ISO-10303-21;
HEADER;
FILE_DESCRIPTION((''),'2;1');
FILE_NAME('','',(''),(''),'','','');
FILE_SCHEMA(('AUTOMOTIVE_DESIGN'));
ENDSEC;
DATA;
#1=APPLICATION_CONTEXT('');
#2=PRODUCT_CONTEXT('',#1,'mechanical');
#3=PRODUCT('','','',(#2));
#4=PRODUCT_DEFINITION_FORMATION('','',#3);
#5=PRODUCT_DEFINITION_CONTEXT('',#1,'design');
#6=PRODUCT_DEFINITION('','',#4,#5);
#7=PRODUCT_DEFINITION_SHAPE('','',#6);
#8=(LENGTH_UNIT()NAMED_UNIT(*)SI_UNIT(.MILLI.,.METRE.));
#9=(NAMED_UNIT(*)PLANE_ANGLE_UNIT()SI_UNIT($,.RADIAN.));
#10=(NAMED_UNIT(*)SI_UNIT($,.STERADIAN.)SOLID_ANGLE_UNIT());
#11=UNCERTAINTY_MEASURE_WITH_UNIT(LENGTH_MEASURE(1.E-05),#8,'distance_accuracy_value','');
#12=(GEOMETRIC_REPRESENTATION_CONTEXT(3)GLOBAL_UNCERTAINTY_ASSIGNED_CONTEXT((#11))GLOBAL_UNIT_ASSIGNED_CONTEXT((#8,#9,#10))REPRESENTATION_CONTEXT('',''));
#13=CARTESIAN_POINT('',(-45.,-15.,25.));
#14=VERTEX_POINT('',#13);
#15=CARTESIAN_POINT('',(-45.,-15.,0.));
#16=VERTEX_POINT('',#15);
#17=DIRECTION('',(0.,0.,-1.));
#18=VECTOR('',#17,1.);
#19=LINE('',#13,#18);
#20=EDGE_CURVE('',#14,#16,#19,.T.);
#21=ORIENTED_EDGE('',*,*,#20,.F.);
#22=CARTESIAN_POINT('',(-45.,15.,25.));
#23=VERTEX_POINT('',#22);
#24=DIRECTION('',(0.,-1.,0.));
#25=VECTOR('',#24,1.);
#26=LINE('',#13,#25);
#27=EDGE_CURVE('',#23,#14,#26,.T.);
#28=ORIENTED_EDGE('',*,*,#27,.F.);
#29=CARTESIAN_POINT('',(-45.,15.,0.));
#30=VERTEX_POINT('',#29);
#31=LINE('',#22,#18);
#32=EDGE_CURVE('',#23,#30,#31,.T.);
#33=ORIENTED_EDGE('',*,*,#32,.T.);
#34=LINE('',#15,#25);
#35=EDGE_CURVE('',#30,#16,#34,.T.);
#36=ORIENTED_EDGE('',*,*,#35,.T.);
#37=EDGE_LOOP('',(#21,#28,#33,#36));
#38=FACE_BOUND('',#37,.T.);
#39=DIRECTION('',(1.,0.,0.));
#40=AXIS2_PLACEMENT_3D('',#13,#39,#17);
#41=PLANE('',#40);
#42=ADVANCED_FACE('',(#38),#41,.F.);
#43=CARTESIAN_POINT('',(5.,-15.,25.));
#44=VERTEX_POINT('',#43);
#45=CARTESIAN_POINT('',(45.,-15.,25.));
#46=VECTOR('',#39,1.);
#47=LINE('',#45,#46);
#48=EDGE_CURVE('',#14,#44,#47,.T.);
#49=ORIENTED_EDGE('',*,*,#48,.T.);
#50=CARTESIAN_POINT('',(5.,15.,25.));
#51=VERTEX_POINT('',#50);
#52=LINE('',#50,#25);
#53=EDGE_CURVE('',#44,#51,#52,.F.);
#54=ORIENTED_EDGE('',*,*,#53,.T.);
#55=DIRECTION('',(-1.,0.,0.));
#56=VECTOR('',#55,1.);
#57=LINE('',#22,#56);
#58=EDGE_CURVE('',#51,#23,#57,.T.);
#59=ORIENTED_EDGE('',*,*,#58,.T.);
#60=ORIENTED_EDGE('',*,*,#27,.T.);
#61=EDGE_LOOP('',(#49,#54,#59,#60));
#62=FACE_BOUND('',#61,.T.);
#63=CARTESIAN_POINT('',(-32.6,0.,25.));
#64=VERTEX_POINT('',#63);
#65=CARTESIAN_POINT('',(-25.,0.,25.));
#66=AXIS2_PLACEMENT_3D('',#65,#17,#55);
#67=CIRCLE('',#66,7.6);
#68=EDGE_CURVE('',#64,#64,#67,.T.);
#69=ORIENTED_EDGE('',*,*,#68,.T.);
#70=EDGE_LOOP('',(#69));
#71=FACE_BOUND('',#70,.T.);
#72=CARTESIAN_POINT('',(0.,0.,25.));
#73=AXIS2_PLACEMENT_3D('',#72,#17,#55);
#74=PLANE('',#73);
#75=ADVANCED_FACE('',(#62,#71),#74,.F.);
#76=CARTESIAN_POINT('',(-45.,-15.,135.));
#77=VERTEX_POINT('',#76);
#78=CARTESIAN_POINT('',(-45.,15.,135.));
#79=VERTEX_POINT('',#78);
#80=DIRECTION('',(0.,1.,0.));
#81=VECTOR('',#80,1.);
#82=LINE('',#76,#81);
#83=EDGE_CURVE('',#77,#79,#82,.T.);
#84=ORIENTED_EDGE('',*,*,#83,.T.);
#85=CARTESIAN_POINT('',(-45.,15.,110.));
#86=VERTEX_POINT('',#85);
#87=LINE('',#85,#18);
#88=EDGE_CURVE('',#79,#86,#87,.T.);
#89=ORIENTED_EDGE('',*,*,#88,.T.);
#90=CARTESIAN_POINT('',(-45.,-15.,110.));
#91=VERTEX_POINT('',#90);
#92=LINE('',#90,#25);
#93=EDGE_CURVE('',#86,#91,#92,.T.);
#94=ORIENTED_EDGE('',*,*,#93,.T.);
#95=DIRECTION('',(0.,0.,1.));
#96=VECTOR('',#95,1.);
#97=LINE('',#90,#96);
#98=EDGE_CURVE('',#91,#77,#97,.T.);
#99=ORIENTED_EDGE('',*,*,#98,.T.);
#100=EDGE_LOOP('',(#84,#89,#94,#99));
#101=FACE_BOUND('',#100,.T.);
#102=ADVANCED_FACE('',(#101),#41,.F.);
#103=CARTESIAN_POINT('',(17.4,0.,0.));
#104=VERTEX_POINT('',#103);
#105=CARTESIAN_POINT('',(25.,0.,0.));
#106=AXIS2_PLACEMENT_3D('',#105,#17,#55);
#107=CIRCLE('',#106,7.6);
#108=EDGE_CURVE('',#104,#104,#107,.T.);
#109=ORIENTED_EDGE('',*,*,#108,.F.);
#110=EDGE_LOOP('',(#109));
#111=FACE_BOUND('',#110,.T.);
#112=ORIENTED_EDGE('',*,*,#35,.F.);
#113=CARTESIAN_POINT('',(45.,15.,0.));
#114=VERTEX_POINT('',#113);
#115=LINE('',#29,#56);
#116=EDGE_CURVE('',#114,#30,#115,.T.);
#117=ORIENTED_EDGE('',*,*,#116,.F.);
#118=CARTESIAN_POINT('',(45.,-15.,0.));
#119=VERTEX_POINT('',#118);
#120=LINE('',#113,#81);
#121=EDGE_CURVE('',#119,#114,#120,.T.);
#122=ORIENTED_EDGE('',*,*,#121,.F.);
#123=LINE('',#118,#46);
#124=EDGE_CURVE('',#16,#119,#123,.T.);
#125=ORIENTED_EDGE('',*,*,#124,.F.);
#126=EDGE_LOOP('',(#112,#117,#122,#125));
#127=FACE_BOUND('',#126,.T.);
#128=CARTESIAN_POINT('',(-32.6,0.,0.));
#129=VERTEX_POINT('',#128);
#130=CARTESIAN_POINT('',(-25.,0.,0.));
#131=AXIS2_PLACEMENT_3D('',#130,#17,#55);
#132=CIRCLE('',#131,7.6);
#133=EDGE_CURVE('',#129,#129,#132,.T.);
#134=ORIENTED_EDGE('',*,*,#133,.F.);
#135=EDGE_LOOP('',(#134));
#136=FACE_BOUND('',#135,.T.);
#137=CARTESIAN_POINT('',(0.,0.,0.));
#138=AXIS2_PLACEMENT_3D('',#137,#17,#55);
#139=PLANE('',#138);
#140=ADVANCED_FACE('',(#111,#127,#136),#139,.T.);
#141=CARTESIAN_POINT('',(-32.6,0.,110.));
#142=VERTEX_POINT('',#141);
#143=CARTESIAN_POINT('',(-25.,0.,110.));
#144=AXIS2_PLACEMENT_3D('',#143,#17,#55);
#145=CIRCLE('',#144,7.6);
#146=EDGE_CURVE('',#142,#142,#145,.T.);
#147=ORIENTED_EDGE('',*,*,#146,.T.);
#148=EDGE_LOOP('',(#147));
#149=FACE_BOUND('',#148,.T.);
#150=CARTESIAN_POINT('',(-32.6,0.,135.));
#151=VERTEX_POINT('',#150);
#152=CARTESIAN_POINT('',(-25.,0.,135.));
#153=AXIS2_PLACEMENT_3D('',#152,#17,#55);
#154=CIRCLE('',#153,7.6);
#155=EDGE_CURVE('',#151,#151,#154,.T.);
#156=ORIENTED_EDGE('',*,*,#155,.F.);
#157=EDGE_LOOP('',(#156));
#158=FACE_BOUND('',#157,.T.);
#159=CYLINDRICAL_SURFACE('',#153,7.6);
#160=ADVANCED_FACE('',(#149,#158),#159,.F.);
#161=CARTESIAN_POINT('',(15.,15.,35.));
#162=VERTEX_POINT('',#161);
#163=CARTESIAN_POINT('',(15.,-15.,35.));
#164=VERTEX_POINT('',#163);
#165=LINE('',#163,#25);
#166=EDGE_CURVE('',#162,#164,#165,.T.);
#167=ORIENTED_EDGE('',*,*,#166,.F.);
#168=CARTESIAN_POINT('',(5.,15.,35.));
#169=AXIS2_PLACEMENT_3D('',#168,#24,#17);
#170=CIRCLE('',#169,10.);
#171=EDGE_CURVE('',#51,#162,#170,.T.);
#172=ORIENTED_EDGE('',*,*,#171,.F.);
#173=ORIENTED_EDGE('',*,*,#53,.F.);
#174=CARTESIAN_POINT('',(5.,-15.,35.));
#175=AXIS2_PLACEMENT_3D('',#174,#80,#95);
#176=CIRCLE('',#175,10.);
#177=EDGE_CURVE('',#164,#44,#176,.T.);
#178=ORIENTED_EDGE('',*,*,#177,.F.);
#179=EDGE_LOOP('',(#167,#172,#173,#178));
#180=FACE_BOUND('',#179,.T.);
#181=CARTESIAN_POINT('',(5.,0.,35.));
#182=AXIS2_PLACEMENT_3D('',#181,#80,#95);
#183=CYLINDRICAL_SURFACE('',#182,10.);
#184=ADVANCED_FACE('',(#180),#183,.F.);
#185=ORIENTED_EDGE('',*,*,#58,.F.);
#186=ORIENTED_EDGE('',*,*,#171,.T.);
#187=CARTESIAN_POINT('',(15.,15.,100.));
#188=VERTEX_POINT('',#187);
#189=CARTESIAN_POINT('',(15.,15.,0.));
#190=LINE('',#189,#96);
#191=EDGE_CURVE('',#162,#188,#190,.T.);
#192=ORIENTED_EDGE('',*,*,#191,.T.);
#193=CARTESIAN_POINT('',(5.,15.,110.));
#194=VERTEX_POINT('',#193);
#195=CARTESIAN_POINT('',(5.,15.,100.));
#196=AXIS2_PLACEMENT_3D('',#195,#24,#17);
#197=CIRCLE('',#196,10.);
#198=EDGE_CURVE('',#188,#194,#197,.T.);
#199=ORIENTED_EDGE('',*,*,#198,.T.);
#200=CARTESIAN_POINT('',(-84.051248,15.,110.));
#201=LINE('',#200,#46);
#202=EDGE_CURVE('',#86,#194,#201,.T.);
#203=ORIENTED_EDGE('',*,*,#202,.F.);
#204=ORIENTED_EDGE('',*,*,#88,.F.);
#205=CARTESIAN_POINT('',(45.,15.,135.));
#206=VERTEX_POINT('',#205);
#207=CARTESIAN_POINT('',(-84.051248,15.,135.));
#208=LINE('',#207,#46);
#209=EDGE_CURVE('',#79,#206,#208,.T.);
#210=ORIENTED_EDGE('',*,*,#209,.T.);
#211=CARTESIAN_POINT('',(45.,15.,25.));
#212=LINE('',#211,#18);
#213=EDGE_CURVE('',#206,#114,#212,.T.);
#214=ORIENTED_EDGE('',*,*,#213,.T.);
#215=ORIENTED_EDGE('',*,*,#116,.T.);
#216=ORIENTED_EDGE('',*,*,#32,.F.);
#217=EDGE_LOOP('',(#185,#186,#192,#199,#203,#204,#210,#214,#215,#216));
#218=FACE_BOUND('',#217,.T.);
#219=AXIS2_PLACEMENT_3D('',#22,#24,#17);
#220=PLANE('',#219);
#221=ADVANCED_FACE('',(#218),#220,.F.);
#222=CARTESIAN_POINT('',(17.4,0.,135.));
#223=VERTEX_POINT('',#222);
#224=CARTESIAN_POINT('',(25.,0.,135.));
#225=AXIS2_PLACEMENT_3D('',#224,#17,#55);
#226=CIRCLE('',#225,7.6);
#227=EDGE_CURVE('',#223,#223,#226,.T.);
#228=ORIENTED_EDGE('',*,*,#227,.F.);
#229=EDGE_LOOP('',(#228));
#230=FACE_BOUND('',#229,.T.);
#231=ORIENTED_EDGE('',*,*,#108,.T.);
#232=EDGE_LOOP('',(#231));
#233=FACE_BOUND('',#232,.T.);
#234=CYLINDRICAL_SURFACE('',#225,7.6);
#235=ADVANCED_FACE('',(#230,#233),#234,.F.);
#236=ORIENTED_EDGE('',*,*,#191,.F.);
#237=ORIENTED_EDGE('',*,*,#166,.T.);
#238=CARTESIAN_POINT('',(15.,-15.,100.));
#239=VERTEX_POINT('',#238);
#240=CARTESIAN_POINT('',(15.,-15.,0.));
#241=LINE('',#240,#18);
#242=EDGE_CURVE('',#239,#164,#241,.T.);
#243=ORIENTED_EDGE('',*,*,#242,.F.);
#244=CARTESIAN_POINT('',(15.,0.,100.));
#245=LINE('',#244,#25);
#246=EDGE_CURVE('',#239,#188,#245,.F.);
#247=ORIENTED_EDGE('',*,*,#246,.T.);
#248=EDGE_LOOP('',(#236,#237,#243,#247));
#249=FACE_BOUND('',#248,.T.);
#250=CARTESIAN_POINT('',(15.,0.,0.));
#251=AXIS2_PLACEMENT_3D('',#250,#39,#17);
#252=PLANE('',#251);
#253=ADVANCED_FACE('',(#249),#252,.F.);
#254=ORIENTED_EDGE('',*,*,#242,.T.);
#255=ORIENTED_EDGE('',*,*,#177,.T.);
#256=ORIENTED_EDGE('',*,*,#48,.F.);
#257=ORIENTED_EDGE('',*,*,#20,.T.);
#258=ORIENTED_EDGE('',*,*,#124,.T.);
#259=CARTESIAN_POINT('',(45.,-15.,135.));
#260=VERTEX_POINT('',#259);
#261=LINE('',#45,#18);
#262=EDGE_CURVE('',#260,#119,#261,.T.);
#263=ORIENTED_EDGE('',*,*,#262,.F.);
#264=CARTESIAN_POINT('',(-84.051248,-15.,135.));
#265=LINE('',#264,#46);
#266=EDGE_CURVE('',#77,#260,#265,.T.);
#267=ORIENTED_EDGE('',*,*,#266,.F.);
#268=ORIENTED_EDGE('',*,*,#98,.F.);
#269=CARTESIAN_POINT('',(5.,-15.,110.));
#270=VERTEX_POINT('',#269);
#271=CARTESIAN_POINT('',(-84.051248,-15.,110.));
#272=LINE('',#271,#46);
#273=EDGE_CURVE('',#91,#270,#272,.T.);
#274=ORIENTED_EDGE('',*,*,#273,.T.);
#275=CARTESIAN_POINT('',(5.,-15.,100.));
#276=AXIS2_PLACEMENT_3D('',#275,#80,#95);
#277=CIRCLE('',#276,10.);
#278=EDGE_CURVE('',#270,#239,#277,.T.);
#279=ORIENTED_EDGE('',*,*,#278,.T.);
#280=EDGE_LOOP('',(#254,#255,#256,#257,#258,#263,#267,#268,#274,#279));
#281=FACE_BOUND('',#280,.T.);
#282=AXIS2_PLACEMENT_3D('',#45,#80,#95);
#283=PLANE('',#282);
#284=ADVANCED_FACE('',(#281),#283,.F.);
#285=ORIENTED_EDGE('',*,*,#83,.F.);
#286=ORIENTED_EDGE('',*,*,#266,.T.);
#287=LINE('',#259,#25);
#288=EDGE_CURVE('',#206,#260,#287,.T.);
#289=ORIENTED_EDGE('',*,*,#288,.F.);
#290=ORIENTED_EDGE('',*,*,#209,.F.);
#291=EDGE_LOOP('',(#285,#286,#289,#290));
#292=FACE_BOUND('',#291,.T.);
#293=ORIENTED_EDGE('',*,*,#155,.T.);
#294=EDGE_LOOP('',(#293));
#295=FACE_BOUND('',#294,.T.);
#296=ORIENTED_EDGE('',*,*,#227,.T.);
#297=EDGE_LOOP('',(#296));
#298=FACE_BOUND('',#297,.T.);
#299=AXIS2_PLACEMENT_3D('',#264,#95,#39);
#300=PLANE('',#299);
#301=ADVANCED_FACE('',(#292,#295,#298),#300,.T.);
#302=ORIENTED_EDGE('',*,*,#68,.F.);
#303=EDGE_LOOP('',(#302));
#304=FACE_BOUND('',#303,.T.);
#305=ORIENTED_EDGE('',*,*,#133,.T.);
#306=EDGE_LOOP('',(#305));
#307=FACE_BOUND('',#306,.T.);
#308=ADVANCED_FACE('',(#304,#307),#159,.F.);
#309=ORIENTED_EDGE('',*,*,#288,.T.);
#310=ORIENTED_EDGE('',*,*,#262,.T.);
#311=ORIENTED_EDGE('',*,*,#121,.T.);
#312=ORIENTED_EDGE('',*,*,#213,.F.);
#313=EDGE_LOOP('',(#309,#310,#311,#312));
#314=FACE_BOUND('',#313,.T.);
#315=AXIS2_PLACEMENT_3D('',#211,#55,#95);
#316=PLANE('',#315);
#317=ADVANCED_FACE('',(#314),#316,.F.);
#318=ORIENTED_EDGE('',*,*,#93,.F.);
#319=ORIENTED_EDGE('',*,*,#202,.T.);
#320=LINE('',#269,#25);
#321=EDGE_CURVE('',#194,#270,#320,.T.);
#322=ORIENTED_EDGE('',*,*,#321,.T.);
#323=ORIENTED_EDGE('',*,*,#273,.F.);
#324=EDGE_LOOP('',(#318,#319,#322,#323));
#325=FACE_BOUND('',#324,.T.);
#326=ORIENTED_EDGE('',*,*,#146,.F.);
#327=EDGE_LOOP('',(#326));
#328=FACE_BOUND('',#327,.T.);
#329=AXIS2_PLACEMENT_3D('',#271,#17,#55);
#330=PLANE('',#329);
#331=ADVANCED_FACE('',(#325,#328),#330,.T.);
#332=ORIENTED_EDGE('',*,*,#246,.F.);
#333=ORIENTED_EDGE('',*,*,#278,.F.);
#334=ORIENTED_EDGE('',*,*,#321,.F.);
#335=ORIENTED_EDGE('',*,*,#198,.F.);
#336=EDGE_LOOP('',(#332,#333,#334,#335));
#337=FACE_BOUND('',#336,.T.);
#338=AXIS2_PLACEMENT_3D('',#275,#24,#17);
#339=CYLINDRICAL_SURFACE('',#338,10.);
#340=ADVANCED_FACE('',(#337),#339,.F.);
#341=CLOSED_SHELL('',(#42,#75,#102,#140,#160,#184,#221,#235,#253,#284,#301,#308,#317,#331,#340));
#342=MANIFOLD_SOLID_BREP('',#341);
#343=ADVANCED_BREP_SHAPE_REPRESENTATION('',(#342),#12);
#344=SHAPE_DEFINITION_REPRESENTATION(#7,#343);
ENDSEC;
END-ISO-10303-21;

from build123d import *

# Parameters (mm, degrees)
SKETCH1_W           = 90
SKETCH1_H           = 30
BOSS_EXTRUDE1_DEPTH = 25
SKETCH2_W           = 110
SKETCH2_H           = 30
BOSS_EXTRUDE2_DEPTH = 30
BOSS_EXTRUDE3_START = -90
SKETCH3_W           = 25
SKETCH3_H           = 30
BOSS_EXTRUDE3_DEPTH = 90
SKETCH4_R           = 7.6
CUT_EXTRUDE1_DEPTH  = 144.090880213
FILLET1_R           = 10


with BuildPart() as part:
    # Sketch1 → Boss-Extrude1 (new body)
    with BuildSketch(Plane.XY):
        Rectangle(SKETCH1_W, SKETCH1_H)
    extrude(amount=BOSS_EXTRUDE1_DEPTH)

    # Sketch2 → Boss-Extrude2 (add)
    with BuildSketch(Plane(origin=(45, 0, 0), x_dir=(0, 0, -1), z_dir=(1, 0, 0))):
        with Locations((-55, 0)):
            Rectangle(SKETCH2_W, SKETCH2_H)
    extrude(amount=-BOSS_EXTRUDE2_DEPTH)

    # Sketch3 → Boss-Extrude3 (add)
    with BuildSketch(Plane(origin=(45, 0, 0), x_dir=(0, 0, -1), z_dir=(1, 0, 0)).offset(BOSS_EXTRUDE3_START)):
        with Locations((-122.5, 0)):
            Rectangle(SKETCH3_W, SKETCH3_H)
    extrude(amount=BOSS_EXTRUDE3_DEPTH)

    # Sketch4 → Cut-Extrude1 (cut, through all)
    with BuildSketch(Plane(origin=(0, 0, 0), x_dir=(-1, 0, 0), z_dir=(0, 0, -1))):
        with Locations((25, 0)):
            Circle(SKETCH4_R)
        with Locations((-25, 0)):
            Circle(SKETCH4_R)
    extrude(amount=-CUT_EXTRUDE1_DEPTH, mode=Mode.SUBTRACT)

    # Fillet1
    fillet1_edges = [part.edges().sort_by_distance(p)[0] for p in [
        (15, 0, 25),
        (15, 0, 110),
    ]]
    fillet(fillet1_edges, radius=FILLET1_R)


solid = part.part
